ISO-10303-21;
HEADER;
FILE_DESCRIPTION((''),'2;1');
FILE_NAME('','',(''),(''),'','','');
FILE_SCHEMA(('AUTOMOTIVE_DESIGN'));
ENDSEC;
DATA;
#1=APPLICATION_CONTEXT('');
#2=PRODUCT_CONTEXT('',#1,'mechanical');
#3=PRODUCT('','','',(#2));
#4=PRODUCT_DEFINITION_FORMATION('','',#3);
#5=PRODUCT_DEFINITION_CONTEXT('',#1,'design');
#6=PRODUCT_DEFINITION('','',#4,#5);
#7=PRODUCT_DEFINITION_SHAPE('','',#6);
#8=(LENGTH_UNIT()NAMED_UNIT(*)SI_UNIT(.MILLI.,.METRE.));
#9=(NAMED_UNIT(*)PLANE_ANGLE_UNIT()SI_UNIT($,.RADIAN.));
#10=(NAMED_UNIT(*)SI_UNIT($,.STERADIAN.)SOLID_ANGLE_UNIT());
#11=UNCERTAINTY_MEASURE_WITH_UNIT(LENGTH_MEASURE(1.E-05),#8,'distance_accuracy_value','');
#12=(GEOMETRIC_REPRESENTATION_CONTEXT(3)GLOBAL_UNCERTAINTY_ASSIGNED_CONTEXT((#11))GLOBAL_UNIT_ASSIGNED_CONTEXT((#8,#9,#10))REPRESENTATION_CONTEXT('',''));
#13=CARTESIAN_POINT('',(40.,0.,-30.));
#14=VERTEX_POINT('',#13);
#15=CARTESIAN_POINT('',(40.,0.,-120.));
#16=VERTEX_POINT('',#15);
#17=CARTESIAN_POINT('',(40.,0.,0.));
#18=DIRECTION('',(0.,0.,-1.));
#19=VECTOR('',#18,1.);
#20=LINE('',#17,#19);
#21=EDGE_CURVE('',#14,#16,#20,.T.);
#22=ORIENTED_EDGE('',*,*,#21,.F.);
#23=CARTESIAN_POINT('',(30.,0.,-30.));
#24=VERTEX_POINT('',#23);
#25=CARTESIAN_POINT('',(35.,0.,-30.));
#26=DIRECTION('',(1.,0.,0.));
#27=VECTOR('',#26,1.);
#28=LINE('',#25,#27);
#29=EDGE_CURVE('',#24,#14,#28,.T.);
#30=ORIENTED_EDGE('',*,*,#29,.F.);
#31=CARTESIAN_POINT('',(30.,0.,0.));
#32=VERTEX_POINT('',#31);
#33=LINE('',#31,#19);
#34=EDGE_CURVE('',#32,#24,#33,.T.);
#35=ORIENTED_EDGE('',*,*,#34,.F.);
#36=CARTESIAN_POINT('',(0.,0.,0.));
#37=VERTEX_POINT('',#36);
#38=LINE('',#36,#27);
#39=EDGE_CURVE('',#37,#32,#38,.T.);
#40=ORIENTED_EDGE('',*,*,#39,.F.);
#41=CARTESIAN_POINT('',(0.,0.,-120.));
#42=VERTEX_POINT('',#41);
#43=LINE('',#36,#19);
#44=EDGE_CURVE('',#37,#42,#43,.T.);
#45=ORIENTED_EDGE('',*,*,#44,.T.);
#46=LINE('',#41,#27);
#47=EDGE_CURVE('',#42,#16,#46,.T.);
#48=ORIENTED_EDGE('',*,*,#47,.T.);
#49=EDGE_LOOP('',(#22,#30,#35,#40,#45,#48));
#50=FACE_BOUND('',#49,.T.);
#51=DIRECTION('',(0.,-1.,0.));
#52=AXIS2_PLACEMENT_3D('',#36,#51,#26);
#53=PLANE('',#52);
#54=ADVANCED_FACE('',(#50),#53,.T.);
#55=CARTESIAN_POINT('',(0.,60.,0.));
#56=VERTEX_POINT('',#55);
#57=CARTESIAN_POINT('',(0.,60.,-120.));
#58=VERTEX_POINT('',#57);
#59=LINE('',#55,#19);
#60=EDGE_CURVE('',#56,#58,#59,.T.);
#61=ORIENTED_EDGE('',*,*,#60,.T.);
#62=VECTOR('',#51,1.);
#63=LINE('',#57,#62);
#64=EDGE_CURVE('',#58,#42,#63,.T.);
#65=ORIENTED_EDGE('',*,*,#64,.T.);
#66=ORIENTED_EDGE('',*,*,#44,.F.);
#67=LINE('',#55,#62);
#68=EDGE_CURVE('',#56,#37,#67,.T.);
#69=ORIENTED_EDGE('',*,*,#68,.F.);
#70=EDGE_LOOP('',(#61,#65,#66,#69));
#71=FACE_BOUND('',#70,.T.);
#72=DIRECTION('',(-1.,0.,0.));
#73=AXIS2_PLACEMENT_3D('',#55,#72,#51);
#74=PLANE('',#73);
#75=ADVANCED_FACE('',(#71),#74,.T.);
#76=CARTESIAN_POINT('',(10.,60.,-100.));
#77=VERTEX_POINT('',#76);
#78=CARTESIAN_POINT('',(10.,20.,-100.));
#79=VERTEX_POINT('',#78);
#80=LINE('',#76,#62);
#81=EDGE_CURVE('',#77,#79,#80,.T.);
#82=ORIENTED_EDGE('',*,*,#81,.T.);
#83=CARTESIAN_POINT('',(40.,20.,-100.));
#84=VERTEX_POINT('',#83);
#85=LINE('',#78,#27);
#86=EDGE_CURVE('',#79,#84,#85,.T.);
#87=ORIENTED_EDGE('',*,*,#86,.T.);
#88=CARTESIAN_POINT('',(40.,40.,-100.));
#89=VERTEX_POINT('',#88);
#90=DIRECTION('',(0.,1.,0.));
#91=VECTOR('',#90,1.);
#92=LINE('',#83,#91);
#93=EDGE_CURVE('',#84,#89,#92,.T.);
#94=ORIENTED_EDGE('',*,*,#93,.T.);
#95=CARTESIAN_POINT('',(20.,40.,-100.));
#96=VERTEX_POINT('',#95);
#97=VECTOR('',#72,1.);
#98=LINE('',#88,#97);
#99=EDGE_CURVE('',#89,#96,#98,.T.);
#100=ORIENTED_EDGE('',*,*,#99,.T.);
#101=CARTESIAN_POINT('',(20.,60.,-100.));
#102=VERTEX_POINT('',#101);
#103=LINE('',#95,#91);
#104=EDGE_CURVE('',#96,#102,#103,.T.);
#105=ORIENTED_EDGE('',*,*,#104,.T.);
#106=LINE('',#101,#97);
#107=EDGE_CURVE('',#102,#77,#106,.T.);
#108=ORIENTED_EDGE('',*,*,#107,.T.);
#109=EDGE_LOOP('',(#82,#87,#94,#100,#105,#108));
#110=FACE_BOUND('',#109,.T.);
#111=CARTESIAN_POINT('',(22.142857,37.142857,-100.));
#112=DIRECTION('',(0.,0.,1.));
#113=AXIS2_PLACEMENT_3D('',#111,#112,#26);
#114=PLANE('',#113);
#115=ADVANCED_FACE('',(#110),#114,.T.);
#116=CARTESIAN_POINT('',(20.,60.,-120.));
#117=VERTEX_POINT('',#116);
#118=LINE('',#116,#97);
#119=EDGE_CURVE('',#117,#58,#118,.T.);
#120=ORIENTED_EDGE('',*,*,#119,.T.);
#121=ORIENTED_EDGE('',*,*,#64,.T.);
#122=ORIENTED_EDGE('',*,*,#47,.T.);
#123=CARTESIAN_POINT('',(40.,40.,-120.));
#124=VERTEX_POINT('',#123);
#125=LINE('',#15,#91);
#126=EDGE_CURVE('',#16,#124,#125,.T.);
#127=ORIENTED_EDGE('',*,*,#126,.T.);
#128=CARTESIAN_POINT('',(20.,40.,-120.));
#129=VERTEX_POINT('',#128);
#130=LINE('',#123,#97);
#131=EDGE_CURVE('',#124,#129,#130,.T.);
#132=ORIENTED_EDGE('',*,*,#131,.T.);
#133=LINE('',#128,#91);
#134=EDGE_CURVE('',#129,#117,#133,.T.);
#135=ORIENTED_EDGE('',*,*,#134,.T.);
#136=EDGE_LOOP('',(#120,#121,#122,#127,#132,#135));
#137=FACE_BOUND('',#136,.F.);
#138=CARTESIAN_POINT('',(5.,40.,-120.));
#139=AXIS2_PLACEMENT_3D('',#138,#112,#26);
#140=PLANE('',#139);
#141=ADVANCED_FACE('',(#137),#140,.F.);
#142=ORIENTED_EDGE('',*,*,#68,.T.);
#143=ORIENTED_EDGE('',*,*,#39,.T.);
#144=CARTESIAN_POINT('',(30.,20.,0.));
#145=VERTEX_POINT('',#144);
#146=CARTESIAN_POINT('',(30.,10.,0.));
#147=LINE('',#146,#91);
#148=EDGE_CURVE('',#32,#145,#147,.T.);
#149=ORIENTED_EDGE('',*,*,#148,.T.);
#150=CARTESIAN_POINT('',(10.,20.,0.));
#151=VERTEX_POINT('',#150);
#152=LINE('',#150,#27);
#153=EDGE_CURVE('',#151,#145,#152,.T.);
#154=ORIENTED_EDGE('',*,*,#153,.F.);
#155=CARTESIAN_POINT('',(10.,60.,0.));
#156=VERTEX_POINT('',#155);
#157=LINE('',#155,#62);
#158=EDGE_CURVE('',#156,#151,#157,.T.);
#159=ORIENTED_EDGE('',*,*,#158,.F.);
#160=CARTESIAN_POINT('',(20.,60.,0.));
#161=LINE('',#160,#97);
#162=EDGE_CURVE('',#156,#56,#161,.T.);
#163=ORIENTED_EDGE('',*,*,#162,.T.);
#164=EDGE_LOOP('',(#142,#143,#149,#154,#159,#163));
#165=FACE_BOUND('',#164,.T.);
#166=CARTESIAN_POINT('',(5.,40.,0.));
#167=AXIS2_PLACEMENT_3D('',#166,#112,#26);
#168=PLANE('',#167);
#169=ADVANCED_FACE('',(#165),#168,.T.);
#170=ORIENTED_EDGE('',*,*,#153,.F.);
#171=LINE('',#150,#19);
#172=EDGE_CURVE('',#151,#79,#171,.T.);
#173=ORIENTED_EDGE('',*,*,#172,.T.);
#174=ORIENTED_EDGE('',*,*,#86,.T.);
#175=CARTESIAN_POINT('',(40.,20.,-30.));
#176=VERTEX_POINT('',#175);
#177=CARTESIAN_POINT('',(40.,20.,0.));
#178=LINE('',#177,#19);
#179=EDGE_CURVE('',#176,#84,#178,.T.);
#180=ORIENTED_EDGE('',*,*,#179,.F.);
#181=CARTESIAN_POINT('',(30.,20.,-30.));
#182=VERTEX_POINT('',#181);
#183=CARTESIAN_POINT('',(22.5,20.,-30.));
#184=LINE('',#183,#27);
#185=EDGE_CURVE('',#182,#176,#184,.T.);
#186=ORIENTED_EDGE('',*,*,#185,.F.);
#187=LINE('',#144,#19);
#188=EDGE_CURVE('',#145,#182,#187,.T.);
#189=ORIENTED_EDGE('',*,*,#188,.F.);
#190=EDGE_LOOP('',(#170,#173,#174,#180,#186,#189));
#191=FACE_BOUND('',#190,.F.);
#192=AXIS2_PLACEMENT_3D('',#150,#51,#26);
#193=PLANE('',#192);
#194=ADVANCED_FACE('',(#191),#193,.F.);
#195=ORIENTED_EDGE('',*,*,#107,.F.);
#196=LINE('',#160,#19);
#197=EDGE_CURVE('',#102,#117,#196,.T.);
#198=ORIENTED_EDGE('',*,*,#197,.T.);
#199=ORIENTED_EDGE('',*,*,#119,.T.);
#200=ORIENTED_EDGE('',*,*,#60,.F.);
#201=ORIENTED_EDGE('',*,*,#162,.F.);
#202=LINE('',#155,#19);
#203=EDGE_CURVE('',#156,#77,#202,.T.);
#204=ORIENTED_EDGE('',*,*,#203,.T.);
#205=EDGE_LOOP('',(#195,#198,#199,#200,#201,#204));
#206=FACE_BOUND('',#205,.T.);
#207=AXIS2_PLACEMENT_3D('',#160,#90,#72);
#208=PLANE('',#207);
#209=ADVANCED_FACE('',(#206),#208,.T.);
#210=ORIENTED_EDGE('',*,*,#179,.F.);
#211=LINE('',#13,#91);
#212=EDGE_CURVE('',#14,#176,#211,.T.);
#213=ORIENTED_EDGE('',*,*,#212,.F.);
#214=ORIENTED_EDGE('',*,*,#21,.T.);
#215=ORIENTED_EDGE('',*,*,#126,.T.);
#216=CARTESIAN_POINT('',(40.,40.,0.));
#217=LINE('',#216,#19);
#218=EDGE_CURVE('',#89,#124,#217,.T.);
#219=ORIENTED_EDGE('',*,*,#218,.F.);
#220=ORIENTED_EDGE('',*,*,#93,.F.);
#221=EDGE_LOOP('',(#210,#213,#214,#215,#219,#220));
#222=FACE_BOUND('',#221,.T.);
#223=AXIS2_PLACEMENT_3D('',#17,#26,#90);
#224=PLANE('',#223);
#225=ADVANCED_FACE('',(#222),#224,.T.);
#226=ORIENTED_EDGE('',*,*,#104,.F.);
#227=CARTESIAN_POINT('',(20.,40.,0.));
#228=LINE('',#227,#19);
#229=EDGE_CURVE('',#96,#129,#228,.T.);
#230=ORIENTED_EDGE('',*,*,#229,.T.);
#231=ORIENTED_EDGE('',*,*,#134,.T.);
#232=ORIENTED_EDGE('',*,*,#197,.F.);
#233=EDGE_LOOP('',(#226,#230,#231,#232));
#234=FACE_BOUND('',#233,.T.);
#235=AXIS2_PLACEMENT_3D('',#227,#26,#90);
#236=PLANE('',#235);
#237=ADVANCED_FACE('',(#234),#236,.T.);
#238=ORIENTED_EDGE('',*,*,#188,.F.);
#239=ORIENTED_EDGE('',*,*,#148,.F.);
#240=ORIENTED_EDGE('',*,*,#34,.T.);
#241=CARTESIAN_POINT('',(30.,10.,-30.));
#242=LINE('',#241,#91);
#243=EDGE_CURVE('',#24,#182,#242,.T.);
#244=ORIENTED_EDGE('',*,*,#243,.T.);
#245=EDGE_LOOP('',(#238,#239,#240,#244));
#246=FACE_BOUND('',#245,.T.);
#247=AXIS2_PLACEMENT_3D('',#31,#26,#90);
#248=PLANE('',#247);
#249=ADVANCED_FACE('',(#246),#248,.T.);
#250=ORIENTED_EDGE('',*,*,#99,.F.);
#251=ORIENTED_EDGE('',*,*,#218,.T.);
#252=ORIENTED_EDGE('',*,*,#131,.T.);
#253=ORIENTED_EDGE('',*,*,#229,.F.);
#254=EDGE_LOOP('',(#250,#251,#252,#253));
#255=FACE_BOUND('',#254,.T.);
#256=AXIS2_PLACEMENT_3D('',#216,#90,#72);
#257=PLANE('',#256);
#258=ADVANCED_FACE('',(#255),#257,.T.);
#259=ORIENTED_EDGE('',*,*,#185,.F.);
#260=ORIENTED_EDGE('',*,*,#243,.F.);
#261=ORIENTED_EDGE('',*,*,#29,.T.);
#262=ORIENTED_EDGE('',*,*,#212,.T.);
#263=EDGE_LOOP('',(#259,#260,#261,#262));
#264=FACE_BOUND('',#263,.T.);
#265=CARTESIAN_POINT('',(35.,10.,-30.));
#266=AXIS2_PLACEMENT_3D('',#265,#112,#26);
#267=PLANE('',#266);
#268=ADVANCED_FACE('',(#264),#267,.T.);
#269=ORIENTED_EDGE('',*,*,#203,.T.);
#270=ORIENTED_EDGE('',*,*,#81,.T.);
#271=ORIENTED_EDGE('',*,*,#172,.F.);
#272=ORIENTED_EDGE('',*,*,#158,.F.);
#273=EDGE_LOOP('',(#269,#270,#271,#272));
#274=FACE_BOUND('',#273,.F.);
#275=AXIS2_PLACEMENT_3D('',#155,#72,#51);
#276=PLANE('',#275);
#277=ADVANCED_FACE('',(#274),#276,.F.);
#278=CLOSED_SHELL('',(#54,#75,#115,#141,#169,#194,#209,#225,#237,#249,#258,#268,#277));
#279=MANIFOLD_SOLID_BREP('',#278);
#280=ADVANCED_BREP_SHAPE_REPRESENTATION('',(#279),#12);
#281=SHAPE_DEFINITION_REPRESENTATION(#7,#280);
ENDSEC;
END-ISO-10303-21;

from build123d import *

# Parameters (mm, degrees)
F0_W     = 10
F0_H     = 40
F0_H_2   = 20
F1_DEPTH = 120
F2_DEPTH = 30
F3_DEPTH = 100


with BuildPart() as f1:
    # F0 (on Top) → F1 (new body)
    with BuildSketch(Plane.XY):
        with Locations((5, 40)):
            Rectangle(F0_W, F0_H)
        Polygon((10, 20), (30, 20), (40, 20), (40, 40), (20, 40), (20, 60), (10, 60), align=None)
        with Locations((35, 10)):
            Rectangle(F0_W, F0_H_2)
        Polygon((0, 20), (0, 0), (30, 0), (30, 20), (10, 20), align=None)
    extrude(amount=-F1_DEPTH)

    # F0 (on Top) → F2 (cut)
    with BuildSketch(Plane.XY):
        with Locations((35, 10)):
            Rectangle(F0_W, F0_H_2)
        Polygon((10, 20), (30, 20), (40, 20), (40, 40), (20, 40), (20, 60), (10, 60), align=None)
    extrude(amount=-F2_DEPTH, mode=Mode.SUBTRACT)

    # F0 (on Top) → F3 (cut)
    with BuildSketch(Plane.XY):
        Polygon((10, 20), (30, 20), (40, 20), (40, 40), (20, 40), (20, 60), (10, 60), align=None)
    extrude(amount=-F3_DEPTH, mode=Mode.SUBTRACT)


solid = f1.part
